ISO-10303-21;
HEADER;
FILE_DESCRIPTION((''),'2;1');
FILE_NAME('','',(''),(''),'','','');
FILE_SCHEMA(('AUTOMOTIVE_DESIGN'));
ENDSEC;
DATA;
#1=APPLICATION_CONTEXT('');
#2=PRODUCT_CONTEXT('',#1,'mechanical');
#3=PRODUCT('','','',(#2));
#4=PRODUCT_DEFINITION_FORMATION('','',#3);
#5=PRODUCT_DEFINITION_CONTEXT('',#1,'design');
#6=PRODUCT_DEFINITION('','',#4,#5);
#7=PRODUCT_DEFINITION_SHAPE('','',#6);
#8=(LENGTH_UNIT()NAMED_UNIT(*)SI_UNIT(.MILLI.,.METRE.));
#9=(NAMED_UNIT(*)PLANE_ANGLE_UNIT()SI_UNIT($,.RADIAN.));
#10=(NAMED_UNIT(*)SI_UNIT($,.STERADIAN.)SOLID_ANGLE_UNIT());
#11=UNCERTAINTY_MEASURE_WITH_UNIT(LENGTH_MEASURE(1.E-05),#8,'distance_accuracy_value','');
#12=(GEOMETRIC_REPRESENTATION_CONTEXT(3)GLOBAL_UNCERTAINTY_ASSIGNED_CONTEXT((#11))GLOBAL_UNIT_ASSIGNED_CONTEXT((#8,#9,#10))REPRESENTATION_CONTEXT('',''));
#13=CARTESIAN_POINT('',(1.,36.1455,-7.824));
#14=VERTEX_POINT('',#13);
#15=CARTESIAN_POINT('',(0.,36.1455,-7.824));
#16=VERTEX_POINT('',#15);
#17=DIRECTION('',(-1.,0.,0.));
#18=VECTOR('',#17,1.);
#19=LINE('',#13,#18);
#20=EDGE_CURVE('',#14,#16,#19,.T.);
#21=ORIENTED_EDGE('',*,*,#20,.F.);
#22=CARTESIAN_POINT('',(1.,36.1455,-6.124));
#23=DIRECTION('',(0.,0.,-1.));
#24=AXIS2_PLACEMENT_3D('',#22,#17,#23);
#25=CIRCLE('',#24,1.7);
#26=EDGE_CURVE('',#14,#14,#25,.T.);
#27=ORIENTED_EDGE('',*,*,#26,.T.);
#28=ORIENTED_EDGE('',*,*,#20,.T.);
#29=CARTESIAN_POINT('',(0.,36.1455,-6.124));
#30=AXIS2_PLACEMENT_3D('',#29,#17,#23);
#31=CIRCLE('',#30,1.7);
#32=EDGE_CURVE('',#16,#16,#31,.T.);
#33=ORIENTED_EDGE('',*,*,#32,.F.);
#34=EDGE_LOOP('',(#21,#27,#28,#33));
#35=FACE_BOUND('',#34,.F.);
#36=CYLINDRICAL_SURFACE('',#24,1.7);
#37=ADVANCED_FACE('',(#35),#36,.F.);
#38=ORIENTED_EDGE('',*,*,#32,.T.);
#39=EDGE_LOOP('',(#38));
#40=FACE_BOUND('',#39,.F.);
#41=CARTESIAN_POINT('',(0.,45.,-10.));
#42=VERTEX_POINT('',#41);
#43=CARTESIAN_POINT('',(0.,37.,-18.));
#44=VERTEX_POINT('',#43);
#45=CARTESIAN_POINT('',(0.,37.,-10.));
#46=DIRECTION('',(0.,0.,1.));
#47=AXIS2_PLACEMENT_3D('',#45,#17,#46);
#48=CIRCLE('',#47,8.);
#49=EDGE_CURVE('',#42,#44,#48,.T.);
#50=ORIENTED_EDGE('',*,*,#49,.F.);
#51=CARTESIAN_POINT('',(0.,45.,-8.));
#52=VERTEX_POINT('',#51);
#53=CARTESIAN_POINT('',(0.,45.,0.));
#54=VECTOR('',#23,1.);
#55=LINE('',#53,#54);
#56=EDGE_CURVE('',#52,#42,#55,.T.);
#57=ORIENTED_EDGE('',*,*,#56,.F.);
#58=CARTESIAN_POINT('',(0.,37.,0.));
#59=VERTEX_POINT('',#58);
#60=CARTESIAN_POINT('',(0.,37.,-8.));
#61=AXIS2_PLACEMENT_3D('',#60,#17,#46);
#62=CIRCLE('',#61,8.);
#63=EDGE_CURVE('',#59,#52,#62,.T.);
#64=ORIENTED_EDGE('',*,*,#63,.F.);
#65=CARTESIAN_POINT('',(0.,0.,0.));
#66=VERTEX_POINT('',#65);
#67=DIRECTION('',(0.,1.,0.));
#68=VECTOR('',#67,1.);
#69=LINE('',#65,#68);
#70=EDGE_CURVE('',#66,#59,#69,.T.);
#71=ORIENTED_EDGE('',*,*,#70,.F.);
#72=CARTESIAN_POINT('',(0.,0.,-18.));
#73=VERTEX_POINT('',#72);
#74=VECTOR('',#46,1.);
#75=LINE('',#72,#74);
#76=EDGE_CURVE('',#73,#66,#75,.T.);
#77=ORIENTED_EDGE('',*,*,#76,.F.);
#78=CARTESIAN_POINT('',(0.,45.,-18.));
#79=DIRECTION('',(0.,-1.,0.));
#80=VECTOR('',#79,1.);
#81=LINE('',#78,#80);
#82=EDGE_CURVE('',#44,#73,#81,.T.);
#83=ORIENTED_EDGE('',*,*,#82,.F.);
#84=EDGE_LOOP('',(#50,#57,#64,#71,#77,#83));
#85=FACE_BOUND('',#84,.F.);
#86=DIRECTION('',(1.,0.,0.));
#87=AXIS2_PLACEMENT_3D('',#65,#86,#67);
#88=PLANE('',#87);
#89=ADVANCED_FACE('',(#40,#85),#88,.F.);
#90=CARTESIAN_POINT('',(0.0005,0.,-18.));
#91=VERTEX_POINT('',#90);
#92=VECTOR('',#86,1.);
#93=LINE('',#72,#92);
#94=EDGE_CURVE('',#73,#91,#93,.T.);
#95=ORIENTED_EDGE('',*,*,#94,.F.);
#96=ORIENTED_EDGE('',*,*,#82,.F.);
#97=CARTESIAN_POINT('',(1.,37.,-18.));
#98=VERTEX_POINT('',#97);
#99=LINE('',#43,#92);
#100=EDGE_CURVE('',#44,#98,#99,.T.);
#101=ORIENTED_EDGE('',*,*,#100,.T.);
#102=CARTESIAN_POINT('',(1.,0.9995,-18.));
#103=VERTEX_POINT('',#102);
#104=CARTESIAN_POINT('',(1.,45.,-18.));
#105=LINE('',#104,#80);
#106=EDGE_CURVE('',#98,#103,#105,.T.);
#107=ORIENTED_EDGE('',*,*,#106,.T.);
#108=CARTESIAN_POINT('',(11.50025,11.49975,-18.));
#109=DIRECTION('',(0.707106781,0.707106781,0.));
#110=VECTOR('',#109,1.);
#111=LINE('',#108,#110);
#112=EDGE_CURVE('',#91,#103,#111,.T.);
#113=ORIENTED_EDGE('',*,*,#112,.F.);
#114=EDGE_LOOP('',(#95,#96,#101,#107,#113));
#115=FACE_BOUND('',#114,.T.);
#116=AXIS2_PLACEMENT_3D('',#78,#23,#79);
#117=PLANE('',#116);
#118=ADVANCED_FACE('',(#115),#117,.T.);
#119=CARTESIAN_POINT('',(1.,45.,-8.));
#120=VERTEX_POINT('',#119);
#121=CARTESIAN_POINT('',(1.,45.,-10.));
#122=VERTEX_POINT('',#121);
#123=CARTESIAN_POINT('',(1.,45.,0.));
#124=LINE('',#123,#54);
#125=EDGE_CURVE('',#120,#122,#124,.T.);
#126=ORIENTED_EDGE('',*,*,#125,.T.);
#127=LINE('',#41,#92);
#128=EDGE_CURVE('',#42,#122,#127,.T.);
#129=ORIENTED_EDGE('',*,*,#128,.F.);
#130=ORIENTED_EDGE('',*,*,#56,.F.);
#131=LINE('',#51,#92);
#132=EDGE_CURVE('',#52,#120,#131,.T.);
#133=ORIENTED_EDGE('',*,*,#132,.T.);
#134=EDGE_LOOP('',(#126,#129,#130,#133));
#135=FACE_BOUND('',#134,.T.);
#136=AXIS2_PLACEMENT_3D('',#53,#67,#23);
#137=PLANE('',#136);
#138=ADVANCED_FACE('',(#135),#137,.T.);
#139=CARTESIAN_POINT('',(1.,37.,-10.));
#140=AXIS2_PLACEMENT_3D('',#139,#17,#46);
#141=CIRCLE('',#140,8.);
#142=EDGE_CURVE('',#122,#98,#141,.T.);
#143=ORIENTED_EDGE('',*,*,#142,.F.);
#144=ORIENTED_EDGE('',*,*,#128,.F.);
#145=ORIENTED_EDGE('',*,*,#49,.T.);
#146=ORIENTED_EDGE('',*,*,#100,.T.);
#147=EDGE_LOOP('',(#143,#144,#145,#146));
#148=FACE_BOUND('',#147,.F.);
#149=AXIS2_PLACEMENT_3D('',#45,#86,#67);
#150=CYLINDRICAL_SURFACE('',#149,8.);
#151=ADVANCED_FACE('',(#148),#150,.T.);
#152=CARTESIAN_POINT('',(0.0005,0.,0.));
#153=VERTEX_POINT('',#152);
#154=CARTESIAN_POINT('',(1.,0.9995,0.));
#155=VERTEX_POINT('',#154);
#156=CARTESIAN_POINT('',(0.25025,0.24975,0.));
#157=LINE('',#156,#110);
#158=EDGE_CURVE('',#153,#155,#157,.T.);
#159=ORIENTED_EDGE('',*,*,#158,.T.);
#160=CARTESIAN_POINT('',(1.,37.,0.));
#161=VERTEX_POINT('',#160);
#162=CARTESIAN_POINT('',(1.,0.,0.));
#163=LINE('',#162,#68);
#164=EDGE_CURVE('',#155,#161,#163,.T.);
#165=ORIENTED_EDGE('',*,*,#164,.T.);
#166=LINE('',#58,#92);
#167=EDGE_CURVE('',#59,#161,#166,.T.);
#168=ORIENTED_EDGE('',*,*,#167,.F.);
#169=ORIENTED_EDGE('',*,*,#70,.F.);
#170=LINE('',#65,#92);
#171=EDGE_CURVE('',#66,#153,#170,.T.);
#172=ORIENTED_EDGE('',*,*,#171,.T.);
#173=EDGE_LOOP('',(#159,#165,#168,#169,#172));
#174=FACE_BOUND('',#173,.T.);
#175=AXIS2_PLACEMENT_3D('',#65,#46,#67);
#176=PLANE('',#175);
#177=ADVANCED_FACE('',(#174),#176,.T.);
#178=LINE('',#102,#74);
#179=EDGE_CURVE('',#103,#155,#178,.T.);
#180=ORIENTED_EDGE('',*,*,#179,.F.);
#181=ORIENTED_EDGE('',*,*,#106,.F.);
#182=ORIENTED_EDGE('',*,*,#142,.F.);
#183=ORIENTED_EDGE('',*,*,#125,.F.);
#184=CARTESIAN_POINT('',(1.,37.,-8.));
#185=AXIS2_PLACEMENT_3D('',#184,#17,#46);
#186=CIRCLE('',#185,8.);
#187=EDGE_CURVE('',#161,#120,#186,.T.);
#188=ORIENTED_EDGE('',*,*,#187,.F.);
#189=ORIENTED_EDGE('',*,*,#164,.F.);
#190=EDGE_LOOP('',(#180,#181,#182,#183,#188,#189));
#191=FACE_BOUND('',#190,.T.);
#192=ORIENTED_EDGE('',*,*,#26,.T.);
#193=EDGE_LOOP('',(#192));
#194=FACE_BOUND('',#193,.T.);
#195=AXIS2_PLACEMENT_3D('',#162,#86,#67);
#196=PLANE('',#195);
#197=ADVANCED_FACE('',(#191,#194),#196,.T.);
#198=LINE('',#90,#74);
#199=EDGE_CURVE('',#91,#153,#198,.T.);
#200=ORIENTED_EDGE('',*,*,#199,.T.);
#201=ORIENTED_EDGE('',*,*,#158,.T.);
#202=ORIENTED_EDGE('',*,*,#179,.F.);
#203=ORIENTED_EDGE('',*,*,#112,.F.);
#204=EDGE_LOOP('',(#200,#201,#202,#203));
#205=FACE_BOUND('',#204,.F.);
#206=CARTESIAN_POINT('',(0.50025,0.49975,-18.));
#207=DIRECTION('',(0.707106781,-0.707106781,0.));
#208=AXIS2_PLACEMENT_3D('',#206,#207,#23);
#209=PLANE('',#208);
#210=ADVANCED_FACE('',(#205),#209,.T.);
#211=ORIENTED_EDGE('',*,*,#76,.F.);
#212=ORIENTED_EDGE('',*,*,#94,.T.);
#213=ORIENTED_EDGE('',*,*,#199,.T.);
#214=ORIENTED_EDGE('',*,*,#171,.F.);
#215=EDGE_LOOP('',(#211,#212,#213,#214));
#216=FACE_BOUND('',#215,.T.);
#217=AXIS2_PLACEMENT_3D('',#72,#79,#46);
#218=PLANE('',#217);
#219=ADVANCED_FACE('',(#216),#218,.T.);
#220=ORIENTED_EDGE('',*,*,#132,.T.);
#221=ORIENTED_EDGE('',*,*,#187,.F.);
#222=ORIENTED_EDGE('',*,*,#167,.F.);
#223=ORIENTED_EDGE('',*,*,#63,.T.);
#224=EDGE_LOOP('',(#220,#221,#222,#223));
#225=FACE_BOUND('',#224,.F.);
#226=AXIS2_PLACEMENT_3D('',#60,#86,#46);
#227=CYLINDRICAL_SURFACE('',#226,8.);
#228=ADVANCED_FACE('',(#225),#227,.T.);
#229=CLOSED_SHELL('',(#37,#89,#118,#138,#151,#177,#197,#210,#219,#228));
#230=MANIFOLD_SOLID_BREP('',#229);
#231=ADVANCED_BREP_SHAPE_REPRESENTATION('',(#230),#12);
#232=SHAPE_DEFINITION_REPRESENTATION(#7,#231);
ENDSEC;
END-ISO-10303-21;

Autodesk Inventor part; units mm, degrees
ref_plane "YZ Plane" through (0, 0, 0) normal (1, 0, 0) x (0, 1, 0)
ref_plane "XZ Plane" through (0, 0, 0) normal (0, 1, 0) x (-1, 0, 0)
ref_plane "XY Plane" through (0, 0, 0) normal (0, 0, 1) x (1, 0, 0)
sketch "Boceto1" plane through (0, 0, 0) normal (1, 0, 0) x (0, 1, 0)
  line L0 (0, 0) -> (45, 0)
  line L1 (45, 0) -> (45, -18)
  line L2 (45, -18) -> (0, -18)
  line L3 (0, -18) -> (0, 0)
  dimension "d2" = 45
  dimension "d3" = 18
extrude "Extrusión1" add sketch "Boceto1" along normal blind 1
chamfer "Chaflán1" distance 1 angle 45 1 edges at (1, 0, -9)
fillet "Empalme1" radius 8 2 edges at (0.5, 45, -18) (0.5, 45, 0)
sketch "Boceto2" plane through (1, 0, 0) normal (1, 0, 0) x (0, 0, -1)
  point P0 (6.124, 36.1455)
hole "Agujero1" at (1, 36.1455, -6.124) direction (-1, 0, 0) diameter 3.4 end through all
properties part number "platina_3"
